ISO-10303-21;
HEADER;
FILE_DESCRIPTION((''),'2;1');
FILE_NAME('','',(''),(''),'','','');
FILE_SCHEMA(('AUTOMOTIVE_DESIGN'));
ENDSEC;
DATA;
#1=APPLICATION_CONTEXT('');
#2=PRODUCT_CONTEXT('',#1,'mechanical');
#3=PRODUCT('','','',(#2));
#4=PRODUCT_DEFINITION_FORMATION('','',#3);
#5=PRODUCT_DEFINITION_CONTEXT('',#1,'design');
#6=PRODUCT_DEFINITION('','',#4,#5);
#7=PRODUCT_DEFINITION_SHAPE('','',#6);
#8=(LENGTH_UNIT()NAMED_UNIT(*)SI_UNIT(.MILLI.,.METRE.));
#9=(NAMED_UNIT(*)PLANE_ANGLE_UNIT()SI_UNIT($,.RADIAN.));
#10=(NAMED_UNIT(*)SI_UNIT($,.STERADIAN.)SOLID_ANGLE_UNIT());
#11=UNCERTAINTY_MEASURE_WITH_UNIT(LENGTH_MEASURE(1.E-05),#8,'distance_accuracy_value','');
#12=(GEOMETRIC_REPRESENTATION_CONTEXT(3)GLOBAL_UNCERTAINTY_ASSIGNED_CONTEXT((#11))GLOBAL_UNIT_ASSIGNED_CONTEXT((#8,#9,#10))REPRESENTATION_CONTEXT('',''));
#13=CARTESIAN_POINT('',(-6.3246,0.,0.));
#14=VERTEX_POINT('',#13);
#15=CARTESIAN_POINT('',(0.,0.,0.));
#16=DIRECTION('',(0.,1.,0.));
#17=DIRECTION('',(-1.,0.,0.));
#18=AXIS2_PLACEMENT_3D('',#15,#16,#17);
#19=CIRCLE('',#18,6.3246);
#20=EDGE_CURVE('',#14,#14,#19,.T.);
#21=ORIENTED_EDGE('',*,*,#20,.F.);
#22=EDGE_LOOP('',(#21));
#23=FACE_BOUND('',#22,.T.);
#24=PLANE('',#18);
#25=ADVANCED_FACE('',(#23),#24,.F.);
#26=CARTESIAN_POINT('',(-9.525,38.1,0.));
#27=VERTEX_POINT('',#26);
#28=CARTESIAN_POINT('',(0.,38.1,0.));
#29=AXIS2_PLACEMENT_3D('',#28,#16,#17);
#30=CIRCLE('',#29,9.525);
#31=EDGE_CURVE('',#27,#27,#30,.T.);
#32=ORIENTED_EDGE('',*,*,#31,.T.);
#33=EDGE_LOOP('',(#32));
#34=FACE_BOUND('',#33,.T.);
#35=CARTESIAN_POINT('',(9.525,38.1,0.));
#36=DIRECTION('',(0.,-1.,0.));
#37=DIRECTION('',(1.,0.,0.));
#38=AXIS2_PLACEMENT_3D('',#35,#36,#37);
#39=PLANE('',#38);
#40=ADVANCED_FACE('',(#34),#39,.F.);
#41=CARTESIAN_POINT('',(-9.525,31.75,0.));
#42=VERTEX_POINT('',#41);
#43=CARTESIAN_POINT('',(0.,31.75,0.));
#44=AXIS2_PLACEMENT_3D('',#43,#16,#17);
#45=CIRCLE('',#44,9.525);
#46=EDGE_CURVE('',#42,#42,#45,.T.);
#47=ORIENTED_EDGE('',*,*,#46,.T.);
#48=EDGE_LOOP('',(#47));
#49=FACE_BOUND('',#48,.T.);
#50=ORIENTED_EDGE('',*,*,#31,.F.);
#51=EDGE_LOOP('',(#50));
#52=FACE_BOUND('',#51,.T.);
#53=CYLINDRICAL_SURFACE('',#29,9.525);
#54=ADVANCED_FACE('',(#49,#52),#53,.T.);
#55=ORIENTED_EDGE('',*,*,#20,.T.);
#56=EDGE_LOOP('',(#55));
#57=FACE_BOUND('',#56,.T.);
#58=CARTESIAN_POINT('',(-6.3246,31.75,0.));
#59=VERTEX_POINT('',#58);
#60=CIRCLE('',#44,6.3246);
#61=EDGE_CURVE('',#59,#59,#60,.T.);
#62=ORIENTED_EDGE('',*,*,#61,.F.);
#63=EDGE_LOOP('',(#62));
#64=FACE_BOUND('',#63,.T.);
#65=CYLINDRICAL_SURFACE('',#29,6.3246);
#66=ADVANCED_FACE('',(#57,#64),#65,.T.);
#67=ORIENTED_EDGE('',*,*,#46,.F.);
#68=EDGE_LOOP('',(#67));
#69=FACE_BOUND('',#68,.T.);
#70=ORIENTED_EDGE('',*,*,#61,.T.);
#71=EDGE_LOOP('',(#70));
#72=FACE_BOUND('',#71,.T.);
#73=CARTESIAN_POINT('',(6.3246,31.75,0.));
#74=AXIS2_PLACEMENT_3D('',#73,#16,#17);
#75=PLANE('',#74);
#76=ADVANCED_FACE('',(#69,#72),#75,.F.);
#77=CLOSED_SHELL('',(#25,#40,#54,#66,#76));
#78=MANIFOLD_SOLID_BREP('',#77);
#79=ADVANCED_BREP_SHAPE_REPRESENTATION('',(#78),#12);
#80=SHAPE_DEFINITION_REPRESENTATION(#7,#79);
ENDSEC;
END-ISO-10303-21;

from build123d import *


with BuildPart() as part:
    # Sketch1 → Revolve1 (revolve)
    with BuildSketch(Plane.XY):
        Polygon((0, 0), (6.3246, 0), (6.3246, 31.75), (9.525, 31.75), (9.525, 38.1), (0, 38.1), align=None)
    revolve(axis=Axis((0, 38.1, 0), (0, -1, 0)))


solid = part.part
